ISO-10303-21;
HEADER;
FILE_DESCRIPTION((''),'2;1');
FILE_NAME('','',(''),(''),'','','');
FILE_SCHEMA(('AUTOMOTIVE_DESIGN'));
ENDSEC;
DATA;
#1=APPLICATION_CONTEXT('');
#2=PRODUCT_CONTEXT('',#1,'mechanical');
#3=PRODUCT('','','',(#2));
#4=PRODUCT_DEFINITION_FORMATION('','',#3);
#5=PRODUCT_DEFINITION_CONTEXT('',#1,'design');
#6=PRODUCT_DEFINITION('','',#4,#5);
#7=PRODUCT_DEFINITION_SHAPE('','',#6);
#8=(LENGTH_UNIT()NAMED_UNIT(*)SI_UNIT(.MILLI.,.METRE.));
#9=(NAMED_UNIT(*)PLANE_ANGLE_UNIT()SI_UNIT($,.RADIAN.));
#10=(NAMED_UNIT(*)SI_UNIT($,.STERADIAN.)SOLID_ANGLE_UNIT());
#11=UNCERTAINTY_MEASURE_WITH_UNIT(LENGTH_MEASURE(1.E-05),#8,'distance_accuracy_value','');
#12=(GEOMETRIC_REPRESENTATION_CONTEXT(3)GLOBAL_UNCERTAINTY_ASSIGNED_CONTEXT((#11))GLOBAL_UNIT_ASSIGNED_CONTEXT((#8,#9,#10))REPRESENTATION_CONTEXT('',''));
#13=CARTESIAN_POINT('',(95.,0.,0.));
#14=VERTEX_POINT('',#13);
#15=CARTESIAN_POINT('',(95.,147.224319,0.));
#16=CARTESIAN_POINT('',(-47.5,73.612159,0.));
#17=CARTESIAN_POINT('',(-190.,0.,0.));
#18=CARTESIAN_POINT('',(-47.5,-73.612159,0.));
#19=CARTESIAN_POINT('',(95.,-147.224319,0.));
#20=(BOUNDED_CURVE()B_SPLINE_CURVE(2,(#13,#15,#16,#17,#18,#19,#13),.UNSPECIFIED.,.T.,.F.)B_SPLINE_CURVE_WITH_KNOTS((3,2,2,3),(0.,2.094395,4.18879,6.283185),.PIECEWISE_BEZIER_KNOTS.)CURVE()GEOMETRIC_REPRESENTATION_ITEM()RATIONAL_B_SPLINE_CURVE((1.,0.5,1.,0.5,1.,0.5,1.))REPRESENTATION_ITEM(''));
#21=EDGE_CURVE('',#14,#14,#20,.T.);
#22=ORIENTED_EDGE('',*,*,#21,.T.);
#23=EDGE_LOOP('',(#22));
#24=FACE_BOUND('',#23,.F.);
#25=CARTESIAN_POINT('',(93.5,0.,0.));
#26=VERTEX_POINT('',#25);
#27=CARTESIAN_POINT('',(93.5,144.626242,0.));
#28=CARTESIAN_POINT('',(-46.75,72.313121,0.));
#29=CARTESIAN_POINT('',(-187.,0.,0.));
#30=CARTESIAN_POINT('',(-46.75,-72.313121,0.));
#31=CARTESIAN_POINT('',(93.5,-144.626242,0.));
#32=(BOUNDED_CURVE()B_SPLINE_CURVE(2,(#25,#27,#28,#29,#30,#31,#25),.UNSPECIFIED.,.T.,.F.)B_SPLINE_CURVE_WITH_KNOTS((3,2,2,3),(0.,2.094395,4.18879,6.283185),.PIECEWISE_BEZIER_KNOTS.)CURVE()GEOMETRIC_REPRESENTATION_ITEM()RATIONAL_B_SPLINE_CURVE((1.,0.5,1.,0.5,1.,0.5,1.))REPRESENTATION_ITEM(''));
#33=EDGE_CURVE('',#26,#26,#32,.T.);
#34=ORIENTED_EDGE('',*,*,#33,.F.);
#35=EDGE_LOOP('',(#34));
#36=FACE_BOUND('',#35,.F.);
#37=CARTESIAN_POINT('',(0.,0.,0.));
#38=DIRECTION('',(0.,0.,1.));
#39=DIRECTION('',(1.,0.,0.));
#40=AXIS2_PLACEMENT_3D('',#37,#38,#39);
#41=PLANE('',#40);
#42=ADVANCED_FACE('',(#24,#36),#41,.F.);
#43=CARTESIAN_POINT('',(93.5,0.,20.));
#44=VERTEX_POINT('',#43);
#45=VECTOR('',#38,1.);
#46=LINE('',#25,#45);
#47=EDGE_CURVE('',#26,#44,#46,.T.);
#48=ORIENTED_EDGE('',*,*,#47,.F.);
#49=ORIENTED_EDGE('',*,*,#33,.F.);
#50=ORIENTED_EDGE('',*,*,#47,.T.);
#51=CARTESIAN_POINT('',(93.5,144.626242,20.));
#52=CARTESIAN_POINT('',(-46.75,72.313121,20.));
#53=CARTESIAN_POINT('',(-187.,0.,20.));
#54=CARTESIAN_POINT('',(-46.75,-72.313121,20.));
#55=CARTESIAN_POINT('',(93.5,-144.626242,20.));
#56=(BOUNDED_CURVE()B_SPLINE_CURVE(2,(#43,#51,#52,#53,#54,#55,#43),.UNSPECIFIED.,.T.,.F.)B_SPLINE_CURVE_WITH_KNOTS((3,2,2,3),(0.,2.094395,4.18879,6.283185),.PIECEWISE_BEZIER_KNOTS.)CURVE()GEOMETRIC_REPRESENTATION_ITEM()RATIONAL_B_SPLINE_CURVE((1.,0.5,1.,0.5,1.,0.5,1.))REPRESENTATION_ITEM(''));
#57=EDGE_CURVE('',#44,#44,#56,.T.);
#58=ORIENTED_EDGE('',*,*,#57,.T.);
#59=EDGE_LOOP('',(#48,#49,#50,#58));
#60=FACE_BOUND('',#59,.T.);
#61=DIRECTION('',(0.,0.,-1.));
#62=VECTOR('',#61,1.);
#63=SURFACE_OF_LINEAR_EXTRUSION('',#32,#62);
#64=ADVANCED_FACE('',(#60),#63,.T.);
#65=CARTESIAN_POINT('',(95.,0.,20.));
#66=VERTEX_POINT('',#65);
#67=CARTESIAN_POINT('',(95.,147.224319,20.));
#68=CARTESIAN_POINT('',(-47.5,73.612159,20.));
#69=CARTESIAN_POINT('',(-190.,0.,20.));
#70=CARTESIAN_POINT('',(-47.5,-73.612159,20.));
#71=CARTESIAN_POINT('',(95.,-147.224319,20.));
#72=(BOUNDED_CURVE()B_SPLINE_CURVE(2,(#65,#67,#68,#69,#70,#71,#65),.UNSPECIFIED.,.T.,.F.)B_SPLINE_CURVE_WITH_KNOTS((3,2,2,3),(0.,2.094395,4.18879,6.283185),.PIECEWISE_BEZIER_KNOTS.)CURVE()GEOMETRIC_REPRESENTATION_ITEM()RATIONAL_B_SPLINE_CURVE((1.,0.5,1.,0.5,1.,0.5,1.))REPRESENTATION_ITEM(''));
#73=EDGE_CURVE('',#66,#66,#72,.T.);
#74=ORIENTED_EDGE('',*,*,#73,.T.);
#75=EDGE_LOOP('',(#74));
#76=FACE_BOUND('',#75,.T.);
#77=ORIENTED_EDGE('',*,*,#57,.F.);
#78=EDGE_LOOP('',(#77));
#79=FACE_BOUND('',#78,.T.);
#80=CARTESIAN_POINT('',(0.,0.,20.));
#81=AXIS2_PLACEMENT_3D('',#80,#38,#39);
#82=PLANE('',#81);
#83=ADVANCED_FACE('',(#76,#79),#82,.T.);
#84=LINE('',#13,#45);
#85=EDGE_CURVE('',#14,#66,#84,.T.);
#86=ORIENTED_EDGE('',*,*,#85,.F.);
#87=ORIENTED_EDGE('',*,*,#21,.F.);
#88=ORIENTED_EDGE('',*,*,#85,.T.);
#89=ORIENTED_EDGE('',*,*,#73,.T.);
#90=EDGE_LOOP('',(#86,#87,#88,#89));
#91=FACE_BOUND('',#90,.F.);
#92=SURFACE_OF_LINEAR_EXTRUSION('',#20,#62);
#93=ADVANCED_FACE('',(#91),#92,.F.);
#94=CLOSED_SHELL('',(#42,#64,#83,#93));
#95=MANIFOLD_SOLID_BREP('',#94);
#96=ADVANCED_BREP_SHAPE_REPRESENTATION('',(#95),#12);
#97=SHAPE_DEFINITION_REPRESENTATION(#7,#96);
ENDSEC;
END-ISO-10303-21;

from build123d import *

# Parameters (mm, degrees)
F1_DEPTH = 20


with BuildPart() as f1:
    # F0 (on Top) → F1 (new body)
    with BuildSketch(Plane.XY):
        with BuildLine():
            add(Edge.make_bspline(
                [(95, 0), (95, 147.224319), (-47.5, 73.612159), (-190, 0), (-47.5, -73.612159), (95, -147.224319), (95, 0)],
                knots=[0, 0, 0, 2.094395, 2.094395, 4.18879, 4.18879, 6.283185, 6.283185, 6.283185], degree=2, weights=[1, 0.5, 1, 0.5, 1, 0.5, 1]))
        make_face()
        with BuildLine():
            add(Edge.make_bspline(
                [(93.5, 0), (93.5, 144.626242), (-46.75, 72.313121), (-187, 0), (-46.75, -72.313121), (93.5, -144.626242), (93.5, 0)],
                knots=[0, 0, 0, 2.094395, 2.094395, 4.18879, 4.18879, 6.283185, 6.283185, 6.283185], degree=2, weights=[1, 0.5, 1, 0.5, 1, 0.5, 1]))
        make_face(mode=Mode.SUBTRACT)
    extrude(amount=F1_DEPTH)


solid = f1.part
